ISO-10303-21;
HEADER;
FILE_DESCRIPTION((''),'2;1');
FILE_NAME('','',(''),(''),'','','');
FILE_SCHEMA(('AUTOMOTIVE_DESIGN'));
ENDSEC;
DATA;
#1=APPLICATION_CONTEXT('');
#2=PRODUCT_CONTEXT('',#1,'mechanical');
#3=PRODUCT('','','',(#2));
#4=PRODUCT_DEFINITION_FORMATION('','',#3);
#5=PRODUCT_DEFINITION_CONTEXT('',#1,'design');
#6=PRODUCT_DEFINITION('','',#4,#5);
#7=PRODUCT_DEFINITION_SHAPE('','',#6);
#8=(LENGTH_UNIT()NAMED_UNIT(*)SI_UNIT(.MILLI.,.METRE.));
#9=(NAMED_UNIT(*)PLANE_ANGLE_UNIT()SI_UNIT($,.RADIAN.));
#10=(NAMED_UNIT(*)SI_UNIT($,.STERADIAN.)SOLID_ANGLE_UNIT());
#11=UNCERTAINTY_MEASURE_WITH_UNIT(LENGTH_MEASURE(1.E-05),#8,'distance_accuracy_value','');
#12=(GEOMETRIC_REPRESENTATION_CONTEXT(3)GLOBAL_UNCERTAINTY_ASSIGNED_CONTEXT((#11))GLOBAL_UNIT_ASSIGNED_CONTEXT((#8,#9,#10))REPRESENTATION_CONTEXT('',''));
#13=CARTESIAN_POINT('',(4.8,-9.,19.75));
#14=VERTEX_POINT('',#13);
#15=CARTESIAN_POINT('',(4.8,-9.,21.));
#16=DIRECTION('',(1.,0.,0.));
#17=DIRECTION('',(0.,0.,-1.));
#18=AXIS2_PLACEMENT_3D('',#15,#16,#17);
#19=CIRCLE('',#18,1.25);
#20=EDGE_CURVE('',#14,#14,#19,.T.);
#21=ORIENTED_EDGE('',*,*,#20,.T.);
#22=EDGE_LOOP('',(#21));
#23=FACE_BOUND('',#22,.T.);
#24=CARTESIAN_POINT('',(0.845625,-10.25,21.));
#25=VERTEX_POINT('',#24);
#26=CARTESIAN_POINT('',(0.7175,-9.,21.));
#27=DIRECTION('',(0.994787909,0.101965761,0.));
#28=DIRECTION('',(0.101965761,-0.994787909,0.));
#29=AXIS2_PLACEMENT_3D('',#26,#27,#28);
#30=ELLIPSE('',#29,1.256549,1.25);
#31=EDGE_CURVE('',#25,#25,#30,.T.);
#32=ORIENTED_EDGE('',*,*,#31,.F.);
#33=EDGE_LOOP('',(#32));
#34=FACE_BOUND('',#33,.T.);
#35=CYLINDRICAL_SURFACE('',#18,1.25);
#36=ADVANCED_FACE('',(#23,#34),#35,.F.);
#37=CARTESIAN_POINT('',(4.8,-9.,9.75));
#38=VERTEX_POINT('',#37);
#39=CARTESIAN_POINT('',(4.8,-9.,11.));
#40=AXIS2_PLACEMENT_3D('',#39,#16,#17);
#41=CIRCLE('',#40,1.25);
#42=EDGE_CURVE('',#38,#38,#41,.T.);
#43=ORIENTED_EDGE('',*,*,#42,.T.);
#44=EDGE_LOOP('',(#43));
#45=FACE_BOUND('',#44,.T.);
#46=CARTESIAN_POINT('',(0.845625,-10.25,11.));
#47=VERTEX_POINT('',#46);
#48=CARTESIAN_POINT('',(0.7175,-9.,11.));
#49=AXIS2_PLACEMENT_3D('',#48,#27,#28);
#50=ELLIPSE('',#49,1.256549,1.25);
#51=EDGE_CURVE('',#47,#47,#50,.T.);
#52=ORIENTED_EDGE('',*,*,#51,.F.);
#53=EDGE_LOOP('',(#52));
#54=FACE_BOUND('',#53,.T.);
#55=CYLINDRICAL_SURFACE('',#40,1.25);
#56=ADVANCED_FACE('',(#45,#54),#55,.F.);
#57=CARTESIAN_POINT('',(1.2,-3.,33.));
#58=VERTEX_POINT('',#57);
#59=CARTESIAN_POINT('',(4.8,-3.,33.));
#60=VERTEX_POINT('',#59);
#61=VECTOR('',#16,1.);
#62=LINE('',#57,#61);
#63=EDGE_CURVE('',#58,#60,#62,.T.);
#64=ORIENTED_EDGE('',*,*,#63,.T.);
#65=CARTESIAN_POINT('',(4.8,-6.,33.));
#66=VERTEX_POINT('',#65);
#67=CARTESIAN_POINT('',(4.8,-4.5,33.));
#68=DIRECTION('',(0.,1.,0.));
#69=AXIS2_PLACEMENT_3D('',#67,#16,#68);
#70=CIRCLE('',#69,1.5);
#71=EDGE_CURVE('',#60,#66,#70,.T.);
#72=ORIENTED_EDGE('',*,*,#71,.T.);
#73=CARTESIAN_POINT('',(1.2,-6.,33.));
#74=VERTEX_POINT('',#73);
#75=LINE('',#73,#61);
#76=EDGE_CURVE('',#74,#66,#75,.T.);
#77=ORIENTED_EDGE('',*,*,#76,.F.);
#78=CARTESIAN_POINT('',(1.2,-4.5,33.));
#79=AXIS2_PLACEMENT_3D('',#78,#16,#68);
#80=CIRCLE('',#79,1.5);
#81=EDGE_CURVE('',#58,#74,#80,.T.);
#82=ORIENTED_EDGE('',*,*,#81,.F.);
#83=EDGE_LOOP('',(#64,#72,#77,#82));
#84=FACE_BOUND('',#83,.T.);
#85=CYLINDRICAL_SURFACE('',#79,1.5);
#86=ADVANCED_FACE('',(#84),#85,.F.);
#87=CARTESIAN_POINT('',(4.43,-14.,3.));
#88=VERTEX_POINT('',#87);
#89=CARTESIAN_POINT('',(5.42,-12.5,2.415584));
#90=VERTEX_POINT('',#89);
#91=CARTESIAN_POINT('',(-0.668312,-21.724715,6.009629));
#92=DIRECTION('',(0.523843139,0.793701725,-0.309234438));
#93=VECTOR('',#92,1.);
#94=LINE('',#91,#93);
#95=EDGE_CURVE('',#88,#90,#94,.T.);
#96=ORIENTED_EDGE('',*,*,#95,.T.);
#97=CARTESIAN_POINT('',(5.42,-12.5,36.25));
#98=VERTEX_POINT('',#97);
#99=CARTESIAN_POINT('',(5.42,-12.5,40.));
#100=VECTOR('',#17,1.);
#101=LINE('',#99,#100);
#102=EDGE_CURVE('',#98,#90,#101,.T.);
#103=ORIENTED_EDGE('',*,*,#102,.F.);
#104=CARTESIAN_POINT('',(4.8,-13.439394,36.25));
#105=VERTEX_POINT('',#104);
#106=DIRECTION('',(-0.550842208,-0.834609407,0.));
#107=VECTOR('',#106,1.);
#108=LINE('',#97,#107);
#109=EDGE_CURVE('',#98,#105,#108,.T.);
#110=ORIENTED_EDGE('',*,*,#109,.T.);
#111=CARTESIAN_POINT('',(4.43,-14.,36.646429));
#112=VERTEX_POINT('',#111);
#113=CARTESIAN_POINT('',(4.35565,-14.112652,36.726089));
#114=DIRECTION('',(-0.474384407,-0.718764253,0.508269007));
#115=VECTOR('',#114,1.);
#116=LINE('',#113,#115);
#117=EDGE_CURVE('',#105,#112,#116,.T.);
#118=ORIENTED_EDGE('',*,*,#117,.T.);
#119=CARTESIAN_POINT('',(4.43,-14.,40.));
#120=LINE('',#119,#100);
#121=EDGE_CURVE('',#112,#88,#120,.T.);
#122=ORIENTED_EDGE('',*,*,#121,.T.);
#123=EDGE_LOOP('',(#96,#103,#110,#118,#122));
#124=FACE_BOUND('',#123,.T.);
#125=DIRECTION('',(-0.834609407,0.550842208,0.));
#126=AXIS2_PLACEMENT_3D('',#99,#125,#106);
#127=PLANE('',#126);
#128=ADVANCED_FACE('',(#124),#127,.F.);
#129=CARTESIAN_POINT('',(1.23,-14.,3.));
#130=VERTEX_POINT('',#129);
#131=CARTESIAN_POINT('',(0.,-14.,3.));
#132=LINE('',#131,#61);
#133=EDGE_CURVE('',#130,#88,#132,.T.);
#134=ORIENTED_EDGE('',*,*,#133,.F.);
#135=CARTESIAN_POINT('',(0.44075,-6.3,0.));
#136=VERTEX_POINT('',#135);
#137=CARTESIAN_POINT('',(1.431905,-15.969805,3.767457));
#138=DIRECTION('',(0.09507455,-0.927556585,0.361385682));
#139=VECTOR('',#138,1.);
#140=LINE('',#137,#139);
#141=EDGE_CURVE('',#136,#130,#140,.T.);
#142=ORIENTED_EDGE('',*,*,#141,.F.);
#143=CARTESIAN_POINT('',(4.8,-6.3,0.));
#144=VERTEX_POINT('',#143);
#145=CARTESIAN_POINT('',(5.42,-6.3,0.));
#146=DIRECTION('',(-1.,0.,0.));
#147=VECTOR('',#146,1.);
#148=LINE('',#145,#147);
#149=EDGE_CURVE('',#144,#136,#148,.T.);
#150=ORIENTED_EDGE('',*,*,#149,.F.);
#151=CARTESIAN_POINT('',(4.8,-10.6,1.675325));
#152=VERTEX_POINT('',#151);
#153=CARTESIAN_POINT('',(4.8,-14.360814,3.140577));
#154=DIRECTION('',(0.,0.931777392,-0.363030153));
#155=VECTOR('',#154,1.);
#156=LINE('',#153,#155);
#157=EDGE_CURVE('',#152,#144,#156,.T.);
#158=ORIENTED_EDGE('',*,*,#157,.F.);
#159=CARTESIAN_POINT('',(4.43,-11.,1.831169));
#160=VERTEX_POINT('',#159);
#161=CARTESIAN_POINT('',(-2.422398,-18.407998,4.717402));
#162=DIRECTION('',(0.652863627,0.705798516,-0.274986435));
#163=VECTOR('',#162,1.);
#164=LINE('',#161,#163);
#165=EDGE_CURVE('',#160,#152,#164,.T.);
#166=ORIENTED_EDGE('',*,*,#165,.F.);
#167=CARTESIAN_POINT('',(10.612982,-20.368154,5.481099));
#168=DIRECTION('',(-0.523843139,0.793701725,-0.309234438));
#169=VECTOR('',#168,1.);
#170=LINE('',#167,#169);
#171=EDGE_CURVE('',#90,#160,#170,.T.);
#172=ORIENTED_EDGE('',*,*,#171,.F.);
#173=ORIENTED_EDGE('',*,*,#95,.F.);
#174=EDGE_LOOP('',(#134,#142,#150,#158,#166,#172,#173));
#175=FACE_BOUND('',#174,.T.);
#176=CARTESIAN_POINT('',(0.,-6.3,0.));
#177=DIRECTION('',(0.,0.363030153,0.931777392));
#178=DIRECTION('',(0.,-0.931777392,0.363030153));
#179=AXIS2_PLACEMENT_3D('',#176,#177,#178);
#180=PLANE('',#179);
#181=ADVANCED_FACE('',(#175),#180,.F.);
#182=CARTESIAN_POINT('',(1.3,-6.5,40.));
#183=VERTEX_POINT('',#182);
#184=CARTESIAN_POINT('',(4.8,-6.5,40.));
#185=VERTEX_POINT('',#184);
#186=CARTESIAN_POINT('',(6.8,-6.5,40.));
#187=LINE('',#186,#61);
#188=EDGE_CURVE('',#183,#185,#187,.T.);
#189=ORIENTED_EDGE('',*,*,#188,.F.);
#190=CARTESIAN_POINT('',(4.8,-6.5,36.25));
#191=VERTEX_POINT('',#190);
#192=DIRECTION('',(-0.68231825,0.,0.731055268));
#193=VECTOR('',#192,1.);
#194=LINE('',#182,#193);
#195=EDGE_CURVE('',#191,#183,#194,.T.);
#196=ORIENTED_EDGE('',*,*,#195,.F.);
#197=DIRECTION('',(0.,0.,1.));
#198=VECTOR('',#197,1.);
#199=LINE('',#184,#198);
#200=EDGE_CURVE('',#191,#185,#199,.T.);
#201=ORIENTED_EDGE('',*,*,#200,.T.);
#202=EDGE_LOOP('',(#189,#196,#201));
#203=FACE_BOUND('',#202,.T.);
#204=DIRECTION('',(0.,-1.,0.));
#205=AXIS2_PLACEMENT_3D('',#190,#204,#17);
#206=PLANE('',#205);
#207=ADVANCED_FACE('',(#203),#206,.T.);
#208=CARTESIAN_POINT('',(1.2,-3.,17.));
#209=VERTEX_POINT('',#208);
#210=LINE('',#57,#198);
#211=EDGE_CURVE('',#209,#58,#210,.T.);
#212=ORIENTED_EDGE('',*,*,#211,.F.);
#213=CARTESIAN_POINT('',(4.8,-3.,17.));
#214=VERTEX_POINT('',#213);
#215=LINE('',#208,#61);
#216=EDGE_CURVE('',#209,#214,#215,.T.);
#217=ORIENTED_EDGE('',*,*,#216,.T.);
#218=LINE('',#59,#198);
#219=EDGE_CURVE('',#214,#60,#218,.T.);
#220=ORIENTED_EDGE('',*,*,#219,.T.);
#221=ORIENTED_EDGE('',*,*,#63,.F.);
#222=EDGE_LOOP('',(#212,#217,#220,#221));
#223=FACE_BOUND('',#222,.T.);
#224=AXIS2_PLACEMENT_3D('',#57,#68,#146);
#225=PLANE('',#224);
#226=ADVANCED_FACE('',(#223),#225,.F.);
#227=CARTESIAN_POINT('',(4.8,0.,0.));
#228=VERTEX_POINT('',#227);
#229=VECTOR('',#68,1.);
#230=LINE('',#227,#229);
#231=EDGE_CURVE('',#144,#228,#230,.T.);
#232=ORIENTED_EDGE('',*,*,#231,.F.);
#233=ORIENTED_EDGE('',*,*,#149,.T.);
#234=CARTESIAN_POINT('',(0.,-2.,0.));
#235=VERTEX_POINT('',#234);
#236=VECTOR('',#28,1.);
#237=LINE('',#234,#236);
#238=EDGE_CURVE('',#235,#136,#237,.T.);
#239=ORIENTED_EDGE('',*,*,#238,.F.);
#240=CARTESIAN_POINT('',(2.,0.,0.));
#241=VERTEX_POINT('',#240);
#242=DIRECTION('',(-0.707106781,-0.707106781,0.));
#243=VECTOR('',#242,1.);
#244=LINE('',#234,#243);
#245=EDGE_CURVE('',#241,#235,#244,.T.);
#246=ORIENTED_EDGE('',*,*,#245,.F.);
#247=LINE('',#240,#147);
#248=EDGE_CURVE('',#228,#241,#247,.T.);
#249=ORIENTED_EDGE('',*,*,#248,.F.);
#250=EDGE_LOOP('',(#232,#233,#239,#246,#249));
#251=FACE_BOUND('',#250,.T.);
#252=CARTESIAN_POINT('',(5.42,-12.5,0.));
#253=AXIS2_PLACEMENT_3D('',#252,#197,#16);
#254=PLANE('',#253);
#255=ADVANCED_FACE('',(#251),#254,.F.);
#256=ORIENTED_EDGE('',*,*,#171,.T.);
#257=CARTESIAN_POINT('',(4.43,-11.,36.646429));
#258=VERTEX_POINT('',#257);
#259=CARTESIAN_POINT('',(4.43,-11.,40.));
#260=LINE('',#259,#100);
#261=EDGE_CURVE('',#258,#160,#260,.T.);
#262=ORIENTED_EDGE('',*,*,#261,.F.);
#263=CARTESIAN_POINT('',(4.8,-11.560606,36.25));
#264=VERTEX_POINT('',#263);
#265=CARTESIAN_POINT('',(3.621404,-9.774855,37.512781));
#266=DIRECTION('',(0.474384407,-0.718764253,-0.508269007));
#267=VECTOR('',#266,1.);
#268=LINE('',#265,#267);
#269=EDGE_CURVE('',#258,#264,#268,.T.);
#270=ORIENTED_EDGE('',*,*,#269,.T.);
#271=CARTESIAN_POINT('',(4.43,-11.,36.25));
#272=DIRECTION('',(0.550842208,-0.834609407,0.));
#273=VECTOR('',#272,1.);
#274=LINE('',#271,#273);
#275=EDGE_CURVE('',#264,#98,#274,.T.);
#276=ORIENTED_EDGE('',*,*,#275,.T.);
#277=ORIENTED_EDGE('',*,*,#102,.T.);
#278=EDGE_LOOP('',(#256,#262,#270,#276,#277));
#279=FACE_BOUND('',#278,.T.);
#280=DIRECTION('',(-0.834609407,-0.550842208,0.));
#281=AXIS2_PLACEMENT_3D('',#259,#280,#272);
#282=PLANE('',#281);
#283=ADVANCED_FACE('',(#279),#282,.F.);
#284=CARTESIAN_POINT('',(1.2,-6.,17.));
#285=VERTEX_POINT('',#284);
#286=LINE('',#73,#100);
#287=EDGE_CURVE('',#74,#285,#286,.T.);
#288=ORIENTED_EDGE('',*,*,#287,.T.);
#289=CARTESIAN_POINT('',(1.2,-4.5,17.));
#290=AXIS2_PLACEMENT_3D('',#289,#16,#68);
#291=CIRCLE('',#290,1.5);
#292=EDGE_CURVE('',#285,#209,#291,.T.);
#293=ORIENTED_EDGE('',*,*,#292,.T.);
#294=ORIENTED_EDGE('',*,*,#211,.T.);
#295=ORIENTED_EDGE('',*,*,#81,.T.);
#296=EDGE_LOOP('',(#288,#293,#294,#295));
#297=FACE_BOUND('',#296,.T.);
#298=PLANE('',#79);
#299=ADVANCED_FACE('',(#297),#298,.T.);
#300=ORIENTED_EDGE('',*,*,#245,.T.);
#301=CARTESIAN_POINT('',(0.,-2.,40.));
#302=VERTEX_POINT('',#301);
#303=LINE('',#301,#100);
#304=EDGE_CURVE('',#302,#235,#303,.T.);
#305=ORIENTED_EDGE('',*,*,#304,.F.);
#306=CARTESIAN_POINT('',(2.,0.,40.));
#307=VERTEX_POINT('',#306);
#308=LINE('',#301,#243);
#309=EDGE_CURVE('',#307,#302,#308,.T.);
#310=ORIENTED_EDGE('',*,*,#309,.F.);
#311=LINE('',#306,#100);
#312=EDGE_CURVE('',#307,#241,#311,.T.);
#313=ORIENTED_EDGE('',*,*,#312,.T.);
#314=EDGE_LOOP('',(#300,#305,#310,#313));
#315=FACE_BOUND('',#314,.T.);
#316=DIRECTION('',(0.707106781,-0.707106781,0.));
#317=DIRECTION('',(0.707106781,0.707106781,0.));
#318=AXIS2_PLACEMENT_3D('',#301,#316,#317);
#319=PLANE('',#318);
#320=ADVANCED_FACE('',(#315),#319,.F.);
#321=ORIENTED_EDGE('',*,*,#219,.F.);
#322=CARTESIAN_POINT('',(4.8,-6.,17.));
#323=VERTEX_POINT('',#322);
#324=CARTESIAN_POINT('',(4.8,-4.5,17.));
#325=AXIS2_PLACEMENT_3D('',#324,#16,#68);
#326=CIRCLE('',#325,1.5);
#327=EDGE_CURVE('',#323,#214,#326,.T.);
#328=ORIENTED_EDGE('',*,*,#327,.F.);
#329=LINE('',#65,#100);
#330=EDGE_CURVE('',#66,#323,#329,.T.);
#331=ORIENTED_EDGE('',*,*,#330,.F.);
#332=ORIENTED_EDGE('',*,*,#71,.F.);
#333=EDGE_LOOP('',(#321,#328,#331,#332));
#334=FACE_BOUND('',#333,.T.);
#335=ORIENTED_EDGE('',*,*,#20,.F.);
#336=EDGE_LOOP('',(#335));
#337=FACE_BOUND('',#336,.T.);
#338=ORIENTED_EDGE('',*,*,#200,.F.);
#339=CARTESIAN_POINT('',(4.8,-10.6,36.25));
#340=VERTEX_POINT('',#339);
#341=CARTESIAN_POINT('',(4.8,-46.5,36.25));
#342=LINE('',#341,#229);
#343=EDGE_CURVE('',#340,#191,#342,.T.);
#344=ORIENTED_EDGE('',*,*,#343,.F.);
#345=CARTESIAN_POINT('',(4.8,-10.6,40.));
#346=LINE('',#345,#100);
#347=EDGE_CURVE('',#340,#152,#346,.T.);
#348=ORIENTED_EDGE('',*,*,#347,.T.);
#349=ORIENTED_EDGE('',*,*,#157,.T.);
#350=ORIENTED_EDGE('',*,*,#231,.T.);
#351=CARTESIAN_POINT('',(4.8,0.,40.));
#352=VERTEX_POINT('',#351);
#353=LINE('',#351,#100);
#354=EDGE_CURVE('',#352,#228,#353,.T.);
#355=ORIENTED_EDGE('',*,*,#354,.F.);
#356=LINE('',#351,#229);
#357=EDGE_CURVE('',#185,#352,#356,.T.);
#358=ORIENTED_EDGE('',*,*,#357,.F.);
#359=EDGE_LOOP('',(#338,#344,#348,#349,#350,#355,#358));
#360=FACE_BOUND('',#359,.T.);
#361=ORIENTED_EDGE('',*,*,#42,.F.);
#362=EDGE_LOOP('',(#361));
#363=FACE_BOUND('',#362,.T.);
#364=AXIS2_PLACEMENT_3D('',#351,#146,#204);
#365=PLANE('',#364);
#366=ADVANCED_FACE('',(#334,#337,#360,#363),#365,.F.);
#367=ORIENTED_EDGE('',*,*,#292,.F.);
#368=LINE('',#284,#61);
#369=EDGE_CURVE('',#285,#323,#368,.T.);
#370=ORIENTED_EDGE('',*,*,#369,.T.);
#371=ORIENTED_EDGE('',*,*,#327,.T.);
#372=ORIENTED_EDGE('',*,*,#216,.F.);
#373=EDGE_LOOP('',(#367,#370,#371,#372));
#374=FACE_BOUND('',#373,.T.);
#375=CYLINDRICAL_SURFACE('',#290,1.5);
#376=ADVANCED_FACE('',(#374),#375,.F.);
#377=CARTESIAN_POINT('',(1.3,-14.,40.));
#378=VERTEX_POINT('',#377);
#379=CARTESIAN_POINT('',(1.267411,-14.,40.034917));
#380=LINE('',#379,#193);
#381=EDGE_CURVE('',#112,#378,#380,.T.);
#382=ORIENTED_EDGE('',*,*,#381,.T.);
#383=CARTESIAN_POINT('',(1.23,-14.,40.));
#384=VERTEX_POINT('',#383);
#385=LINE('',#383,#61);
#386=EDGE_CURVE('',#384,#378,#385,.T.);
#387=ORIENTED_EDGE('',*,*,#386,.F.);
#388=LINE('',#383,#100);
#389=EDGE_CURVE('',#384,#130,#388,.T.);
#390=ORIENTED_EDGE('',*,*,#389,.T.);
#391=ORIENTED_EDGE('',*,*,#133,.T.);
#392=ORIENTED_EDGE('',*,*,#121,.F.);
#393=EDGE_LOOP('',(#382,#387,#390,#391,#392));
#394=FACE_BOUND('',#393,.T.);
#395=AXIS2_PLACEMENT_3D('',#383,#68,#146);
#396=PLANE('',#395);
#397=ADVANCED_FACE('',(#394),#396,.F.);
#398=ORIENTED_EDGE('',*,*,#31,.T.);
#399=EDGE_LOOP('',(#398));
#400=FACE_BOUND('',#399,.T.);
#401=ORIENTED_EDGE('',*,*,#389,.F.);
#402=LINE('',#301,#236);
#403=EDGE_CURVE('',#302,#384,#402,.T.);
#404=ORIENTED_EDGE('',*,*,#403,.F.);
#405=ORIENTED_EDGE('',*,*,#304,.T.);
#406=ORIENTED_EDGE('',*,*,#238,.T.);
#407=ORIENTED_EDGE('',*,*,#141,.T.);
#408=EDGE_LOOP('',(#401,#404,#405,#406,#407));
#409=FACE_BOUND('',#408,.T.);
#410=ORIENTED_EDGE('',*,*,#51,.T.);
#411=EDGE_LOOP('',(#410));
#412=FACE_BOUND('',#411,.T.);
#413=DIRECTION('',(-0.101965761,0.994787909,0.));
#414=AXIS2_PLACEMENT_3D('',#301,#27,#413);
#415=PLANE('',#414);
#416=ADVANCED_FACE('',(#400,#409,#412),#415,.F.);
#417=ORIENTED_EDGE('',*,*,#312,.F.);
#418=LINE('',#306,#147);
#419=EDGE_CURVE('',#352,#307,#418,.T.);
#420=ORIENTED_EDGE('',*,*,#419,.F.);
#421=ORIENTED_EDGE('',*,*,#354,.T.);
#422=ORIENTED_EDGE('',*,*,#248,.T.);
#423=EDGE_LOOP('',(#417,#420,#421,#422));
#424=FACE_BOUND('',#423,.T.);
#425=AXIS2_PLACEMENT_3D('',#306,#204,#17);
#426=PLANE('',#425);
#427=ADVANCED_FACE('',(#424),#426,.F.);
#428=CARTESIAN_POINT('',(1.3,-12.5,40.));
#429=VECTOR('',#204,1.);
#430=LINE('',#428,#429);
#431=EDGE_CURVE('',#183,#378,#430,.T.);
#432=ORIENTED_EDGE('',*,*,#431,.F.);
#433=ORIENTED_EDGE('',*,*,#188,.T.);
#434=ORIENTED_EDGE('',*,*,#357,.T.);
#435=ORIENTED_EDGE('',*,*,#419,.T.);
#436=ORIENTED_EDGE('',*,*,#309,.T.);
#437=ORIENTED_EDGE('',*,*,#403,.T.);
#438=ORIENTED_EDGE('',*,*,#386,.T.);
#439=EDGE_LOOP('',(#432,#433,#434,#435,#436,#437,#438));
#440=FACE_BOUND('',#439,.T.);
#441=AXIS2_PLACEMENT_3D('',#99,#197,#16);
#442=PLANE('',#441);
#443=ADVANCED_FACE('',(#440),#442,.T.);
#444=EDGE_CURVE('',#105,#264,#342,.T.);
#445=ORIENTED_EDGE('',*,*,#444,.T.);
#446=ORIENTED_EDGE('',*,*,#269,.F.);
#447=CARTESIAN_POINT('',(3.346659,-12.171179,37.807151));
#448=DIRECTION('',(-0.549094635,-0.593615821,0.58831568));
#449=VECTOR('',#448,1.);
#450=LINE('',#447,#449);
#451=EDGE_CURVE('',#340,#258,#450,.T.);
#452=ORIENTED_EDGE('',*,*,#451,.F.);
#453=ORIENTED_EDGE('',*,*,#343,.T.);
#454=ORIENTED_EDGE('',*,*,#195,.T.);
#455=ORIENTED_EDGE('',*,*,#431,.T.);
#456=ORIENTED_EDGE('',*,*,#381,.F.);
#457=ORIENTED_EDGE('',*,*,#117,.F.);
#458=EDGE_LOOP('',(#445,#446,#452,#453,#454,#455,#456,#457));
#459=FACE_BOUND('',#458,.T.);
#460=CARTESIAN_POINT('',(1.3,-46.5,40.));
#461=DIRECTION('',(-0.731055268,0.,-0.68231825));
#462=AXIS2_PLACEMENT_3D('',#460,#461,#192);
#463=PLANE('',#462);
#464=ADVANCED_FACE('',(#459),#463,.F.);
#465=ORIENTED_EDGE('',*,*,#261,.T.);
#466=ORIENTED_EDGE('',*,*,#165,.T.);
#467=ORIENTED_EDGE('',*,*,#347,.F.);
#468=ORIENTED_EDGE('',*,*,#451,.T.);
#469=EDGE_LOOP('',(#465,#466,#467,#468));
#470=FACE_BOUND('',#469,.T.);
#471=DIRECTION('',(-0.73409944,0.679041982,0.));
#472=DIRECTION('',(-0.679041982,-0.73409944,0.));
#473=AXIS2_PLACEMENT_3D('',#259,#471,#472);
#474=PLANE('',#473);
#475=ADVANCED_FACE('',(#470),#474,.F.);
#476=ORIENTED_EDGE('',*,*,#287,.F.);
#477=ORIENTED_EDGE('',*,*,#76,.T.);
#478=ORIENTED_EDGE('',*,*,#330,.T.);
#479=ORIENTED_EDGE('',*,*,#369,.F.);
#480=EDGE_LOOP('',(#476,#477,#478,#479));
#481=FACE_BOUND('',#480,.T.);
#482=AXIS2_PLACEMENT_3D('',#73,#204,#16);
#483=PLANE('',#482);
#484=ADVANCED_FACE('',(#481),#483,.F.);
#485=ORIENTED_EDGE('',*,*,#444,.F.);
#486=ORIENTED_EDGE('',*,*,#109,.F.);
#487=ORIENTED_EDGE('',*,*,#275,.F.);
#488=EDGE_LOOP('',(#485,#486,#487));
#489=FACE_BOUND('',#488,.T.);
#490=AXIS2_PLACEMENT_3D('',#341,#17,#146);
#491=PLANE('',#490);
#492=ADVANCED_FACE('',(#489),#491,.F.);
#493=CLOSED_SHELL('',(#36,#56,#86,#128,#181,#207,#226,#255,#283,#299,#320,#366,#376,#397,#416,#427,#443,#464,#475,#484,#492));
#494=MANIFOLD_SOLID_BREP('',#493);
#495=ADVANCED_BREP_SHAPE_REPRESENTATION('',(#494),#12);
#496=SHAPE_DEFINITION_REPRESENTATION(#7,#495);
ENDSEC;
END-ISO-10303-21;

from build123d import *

# Parameters (mm, degrees)
BOSS_EXTRU_1_DEPTH           = 40
ENL_V_MAT_EXTRU_1_DEPTH      = 43.650205158
ENL_V_MAT_EXTRU_1_DEPTH_BACK = 43.650205158
ENL_V_MAT_EXTRU_3_DEPTH      = 40
TROU_TARAUD_M31_D            = 2.5
TROU_TARAUD_M31_DEPTH        = 8.5
TROU_TARAUD_M31_TIP          = 0.751075774
ENL_V_MAT_EXTRU_4_DEPTH      = 3.6


with BuildPart() as part:
    # Esquisse1 → Boss.-Extru.1 (new body)
    with BuildSketch(Plane.XY):
        Polygon((0, -2), (2, 0), (4.8, 0), (4.8, -10.6), (4.43, -11), (5.42, -12.5), (4.43, -14), (1.23, -14), align=None)
    extrude(amount=BOSS_EXTRU_1_DEPTH)

    # Esquisse2 → Enlèv. mat.-Extru.1 (cut, two sides: drawn at the far end of the back side and taken through both)
    with BuildSketch(Plane(origin=(4.8, 0, 0), x_dir=(0, 0, -1), z_dir=(1, 0, 0)).offset(-ENL_V_MAT_EXTRU_1_DEPTH_BACK)):
        Polygon((0, -14), (0, -6.3), (-3, -14), align=None)
    extrude(amount=ENL_V_MAT_EXTRU_1_DEPTH + ENL_V_MAT_EXTRU_1_DEPTH_BACK, mode=Mode.SUBTRACT)

    # Esquisse3 → Enlèv. mat.-Extru.3 (cut)
    with BuildSketch(Plane(origin=(0, -6.5, 0), x_dir=(-1, 0, 0), z_dir=(0, 1, 0))):
        Polygon((-6.8, 40), (-1.3, 40), (-4.8, 36.25), (-6.8, 36.25), align=None)
    extrude(amount=-ENL_V_MAT_EXTRU_3_DEPTH, mode=Mode.SUBTRACT)

    # Trou taraudé M31
    with Locations(Plane(origin=(4.8, 0, 0), x_dir=(0, 0, -1), z_dir=(1, 0, 0))):
        with Locations((-11, -9), (-21, -9)):
            Hole(TROU_TARAUD_M31_D / 2, depth=TROU_TARAUD_M31_DEPTH)
            with Locations((0, 0, -(TROU_TARAUD_M31_DEPTH + TROU_TARAUD_M31_TIP / 2))):  # 118° drill point
                Cone(0, TROU_TARAUD_M31_D / 2, TROU_TARAUD_M31_TIP, mode=Mode.SUBTRACT)

    # Esquisse6 → Enlèv. mat.-Extru.4 (cut)
    with BuildSketch(Plane(origin=(4.8, 0, 0), x_dir=(0, 0, -1), z_dir=(1, 0, 0))):
        with BuildLine():
            Line((-33, -3), (-17, -3))
            ThreePointArc((-17, -3), (-15.5, -4.5), (-17, -6))
            Line((-17, -6), (-33, -6))
            ThreePointArc((-33, -6), (-34.5, -4.5), (-33, -3))
        make_face()
    extrude(amount=-ENL_V_MAT_EXTRU_4_DEPTH, mode=Mode.SUBTRACT)


solid = part.part
